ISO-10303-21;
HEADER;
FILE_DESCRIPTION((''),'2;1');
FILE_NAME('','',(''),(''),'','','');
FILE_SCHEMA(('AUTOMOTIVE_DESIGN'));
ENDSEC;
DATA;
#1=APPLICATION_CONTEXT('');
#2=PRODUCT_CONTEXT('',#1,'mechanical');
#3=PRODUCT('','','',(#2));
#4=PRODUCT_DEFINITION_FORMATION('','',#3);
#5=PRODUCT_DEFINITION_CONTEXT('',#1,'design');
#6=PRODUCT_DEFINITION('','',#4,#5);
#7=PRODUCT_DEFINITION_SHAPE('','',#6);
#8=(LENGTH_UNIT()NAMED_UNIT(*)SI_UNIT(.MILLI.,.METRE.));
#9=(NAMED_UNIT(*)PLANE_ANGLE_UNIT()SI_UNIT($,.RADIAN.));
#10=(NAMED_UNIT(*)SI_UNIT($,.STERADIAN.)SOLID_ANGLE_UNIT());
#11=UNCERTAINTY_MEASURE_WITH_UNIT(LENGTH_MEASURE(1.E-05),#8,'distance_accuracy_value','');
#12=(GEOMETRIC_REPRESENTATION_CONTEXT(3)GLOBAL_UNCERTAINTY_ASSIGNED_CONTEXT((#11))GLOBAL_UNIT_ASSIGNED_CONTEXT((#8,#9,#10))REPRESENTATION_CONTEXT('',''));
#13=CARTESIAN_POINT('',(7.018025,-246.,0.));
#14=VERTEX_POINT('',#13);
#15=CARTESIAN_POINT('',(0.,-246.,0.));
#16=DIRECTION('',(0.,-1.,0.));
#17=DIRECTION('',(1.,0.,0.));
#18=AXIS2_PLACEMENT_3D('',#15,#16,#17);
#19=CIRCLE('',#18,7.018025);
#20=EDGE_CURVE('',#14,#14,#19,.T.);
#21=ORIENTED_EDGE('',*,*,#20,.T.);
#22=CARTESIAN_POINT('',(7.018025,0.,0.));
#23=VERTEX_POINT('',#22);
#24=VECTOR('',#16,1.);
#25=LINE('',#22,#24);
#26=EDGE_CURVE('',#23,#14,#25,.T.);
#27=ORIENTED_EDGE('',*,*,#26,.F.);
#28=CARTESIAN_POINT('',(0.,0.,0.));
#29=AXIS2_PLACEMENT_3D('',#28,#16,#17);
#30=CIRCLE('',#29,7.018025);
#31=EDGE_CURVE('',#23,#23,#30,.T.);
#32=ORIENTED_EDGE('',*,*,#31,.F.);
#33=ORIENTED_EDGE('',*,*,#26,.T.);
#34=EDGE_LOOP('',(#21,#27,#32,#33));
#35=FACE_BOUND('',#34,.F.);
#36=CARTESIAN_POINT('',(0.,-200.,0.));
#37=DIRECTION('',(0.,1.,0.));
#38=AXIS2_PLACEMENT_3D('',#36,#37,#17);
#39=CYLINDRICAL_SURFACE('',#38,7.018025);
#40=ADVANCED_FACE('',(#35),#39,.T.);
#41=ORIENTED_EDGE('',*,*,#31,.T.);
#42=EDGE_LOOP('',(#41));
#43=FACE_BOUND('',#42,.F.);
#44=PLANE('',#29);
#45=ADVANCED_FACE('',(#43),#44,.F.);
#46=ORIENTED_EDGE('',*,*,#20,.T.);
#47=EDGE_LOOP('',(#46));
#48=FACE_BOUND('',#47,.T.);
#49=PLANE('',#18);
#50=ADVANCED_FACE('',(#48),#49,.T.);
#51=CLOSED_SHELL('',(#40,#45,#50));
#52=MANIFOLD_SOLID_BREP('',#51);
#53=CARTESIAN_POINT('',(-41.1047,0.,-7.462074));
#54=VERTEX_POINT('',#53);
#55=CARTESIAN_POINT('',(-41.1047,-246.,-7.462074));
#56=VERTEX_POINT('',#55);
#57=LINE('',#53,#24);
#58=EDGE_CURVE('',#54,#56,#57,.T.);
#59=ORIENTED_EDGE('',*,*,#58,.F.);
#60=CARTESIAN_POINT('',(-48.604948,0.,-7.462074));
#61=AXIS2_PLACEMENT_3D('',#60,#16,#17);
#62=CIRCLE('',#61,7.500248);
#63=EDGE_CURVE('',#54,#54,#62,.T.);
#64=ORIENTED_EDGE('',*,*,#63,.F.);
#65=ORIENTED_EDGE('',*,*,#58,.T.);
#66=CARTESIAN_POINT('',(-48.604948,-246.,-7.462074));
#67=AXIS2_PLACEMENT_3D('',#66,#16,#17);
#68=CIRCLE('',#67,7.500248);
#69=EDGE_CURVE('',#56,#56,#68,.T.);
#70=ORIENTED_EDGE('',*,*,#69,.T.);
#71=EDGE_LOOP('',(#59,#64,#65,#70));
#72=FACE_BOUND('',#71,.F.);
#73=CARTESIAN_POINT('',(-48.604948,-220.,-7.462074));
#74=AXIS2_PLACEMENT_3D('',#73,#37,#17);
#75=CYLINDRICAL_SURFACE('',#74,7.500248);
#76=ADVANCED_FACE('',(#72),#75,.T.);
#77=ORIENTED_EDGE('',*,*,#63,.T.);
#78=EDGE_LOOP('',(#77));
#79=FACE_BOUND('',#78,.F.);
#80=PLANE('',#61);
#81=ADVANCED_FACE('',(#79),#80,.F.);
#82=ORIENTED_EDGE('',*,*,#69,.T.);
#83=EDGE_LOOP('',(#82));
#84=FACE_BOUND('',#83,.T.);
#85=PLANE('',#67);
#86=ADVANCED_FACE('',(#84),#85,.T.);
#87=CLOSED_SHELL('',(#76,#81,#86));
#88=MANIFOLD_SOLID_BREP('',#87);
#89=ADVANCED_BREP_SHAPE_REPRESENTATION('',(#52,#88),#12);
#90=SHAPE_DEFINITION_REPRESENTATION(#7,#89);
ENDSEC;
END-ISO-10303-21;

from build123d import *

# Parameters (mm, degrees)
F0_R     = 7.0180252072
F1_DEPTH = 100
F2_R     = 7.5002480587
F3_DEPTH = 25
F4_DEPTH = 100
F5_DEPTH = 100
F6_DEPTH = 25
F7_DEPTH = 70
F8_DEPTH = 26
F9_DEPTH = 46


with BuildPart() as f1:
    # F0 (on Front) → F1 (new body)
    with BuildSketch(Plane.XZ):
        Circle(F0_R)
    extrude(amount=F1_DEPTH)

    # F5 (add): a face of the model
    f5_faces = [f1.faces().sort_by_distance(p)[0] for p in [
        (0, -100, 0),
    ]]
    extrude(f5_faces, amount=F5_DEPTH)

    # F9 (add): a face of the model
    f9_faces = [f1.faces().sort_by_distance(p)[0] for p in [
        (0, -200, 0),
    ]]
    extrude(f9_faces, amount=F9_DEPTH)


with BuildPart() as f3:
    # F2 (on Front) → F3 (new body)
    with BuildSketch(Plane.XZ):
        with Locations((-48.6049484462, -7.4620740644)):
            Circle(F2_R)
    extrude(amount=F3_DEPTH)

    # F4 (add): a face of the model
    f4_faces = [f3.faces().sort_by_distance(p)[0] for p in [
        (-48.6049484462, -25, -7.4620740644),
    ]]
    extrude(f4_faces, amount=F4_DEPTH)

    # F6 (add): a face of the model
    f6_faces = [f3.faces().sort_by_distance(p)[0] for p in [
        (-48.6049484462, -125, -7.4620740644),
    ]]
    extrude(f6_faces, amount=F6_DEPTH)

    # F7 (add): a face of the model
    f7_faces = [f3.faces().sort_by_distance(p)[0] for p in [
        (-48.6049484462, -150, -7.4620740644),
    ]]
    extrude(f7_faces, amount=F7_DEPTH)

    # F8 (add): a face of the model
    f8_faces = [f3.faces().sort_by_distance(p)[0] for p in [
        (-48.6049484462, -220, -7.4620740644),
    ]]
    extrude(f8_faces, amount=F8_DEPTH)


solid = Compound([f1.part, f3.part])
